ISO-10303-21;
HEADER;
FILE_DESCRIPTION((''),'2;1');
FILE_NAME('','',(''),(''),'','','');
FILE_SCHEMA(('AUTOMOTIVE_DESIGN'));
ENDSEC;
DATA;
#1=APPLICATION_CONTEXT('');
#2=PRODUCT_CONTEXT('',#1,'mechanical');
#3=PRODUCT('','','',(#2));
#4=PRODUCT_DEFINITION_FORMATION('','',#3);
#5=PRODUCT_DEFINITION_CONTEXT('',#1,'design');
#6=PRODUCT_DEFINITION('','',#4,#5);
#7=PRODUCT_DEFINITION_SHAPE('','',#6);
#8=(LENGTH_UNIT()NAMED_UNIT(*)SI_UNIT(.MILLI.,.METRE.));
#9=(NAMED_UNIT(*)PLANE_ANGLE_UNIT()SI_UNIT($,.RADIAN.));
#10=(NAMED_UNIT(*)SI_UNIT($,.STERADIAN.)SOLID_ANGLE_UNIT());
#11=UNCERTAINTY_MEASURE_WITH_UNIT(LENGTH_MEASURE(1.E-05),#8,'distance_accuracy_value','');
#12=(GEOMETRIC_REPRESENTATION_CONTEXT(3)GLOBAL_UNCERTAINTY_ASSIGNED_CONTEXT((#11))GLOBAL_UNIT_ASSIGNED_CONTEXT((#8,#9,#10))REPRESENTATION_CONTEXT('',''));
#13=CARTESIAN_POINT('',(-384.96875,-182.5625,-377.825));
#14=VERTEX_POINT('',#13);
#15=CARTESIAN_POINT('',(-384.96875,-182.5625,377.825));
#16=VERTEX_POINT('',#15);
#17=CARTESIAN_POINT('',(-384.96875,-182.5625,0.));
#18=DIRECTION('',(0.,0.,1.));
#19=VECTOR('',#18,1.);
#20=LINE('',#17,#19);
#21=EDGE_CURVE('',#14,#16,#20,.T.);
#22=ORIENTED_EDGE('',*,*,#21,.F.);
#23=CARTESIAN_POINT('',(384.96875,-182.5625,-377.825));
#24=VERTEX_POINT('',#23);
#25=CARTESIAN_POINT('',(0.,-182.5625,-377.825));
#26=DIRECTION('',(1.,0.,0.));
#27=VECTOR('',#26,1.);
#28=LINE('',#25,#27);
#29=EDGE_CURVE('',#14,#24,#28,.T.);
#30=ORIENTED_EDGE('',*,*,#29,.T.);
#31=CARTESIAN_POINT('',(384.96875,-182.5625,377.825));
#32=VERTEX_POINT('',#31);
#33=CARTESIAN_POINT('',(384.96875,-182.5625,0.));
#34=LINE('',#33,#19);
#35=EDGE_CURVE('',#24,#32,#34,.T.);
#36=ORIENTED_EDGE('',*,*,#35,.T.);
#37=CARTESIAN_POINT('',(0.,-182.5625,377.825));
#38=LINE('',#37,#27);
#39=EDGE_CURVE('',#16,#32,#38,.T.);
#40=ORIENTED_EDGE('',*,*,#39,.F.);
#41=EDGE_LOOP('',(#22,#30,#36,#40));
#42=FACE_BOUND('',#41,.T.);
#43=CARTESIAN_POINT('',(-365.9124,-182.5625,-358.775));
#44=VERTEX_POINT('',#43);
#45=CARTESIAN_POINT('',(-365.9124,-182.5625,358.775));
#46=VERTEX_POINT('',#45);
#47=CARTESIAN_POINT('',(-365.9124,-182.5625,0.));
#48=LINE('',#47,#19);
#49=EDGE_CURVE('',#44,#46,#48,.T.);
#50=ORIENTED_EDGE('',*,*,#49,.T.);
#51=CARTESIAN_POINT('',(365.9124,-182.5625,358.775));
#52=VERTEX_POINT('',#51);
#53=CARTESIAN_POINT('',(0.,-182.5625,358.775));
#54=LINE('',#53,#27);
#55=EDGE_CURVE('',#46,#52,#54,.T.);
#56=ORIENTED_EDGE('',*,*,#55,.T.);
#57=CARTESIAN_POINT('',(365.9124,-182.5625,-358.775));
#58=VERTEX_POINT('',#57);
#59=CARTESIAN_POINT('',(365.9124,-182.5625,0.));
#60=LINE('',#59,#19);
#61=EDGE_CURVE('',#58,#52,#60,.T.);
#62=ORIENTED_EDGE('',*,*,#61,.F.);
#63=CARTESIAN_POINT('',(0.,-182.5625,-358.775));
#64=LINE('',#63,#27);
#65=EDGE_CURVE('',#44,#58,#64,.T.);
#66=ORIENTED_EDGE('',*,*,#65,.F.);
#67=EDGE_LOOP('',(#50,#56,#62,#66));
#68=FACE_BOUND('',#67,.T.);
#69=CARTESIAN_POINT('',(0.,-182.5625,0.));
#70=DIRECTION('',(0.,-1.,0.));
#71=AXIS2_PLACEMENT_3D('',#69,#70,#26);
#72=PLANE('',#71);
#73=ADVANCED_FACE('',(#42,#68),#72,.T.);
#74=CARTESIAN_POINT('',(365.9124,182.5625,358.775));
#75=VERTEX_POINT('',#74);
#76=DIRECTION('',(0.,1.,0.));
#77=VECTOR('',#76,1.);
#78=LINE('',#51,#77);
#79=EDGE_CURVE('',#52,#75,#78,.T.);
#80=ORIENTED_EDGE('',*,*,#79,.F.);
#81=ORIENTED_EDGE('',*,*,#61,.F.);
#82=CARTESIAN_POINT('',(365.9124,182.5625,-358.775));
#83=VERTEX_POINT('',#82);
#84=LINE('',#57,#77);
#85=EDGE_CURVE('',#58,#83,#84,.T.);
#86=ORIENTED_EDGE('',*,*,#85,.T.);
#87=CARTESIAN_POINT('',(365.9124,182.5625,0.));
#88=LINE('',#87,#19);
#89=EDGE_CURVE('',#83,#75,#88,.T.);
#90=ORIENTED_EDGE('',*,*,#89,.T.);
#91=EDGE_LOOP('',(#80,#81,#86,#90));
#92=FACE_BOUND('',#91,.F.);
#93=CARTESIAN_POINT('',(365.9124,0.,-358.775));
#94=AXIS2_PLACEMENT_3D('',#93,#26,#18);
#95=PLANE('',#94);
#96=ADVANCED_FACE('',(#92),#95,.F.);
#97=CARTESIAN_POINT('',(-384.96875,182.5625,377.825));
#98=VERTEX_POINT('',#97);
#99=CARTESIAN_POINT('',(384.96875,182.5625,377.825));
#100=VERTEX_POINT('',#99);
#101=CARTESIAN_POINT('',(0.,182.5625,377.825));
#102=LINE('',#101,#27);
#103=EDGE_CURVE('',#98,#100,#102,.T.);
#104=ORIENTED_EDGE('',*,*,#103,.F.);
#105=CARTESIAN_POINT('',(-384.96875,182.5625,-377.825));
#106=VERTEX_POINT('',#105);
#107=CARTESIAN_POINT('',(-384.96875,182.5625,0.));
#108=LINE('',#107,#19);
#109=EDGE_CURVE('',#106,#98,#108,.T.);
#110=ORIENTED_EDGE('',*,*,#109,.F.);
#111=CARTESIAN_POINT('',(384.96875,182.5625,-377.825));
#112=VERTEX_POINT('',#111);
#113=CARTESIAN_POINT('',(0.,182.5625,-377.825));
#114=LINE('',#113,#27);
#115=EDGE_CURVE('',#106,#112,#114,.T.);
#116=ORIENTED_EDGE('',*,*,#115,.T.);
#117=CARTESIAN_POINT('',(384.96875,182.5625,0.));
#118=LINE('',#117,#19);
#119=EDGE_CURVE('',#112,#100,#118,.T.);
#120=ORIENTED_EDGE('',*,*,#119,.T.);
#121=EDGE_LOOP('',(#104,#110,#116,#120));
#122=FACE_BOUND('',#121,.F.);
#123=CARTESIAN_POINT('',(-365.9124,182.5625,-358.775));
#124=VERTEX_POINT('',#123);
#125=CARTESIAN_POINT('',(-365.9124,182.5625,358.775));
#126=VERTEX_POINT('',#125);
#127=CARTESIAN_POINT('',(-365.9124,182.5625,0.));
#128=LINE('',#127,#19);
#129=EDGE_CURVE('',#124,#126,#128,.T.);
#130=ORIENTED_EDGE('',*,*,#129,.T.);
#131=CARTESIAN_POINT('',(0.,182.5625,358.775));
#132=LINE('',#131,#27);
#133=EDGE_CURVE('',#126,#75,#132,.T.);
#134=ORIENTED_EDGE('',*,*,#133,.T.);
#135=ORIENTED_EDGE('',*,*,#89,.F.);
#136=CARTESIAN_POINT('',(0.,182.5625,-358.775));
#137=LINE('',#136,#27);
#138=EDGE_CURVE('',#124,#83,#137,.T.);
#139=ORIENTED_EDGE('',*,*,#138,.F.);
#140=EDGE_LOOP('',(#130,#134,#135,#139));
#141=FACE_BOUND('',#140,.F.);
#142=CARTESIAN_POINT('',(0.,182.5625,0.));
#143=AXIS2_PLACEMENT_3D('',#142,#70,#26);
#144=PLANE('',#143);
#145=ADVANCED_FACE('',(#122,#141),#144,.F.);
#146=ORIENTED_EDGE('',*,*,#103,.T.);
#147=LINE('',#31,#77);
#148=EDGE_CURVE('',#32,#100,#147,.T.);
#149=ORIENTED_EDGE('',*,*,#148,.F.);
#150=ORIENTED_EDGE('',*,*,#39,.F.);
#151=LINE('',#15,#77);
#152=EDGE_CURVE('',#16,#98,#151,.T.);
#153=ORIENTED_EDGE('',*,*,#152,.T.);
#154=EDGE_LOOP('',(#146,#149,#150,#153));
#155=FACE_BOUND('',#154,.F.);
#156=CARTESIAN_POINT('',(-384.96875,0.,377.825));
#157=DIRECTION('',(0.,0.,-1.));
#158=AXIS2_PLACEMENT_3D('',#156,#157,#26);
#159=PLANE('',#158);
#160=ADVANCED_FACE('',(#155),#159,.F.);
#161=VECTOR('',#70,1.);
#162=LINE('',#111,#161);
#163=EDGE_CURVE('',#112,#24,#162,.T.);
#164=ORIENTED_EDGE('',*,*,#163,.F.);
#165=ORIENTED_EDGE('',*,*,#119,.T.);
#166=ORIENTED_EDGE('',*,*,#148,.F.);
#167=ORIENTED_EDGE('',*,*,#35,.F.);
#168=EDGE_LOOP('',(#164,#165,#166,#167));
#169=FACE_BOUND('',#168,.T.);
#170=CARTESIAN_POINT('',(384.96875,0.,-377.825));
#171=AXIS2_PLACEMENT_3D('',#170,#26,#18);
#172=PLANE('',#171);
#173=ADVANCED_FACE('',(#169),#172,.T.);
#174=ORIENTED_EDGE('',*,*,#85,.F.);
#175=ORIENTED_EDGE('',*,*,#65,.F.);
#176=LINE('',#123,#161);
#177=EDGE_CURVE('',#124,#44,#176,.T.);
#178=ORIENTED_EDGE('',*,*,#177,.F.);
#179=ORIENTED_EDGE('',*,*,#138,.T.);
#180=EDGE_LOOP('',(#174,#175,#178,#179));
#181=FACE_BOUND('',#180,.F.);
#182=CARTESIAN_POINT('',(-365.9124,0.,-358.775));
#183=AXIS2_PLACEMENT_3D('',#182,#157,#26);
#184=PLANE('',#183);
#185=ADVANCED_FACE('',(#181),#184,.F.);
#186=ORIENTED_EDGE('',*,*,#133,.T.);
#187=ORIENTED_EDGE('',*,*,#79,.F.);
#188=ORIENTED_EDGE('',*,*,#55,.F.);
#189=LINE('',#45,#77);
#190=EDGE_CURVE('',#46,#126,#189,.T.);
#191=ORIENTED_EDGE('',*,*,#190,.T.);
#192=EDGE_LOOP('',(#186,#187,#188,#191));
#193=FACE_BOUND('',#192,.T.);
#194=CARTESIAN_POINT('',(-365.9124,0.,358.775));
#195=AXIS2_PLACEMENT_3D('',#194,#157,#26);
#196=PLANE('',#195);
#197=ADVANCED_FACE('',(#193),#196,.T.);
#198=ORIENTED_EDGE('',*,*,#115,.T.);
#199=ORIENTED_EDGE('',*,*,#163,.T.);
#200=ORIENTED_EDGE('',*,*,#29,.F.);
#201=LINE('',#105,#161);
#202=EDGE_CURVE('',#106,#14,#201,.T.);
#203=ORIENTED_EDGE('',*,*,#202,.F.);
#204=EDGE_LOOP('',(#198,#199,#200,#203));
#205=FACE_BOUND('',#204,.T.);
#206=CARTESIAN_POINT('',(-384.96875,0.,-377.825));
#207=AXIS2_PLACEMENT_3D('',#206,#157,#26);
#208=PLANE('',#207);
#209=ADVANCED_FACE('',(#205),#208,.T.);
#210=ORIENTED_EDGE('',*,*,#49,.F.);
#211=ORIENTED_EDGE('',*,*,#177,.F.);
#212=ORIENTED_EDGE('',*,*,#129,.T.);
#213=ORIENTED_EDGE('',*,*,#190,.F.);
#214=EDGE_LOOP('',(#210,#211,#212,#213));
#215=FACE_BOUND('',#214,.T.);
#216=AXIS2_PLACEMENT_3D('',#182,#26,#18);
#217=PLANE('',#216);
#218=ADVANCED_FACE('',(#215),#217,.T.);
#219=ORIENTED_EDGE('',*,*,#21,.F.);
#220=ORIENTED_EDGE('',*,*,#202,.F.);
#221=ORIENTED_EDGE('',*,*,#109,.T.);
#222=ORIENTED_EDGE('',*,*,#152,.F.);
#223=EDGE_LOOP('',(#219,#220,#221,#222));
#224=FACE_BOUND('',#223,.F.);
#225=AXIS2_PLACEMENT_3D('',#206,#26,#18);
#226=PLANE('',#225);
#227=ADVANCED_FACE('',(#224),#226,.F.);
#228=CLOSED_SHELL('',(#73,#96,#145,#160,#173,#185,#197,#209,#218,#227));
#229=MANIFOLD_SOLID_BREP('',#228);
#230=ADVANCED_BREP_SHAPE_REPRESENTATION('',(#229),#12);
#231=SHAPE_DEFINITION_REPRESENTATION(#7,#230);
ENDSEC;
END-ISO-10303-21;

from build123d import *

# Parameters (mm, degrees)
F1_W     = 769.9375
F1_H     = 755.65
F1_W_2   = 731.8248
F1_H_2   = 717.55
F2_DEPTH = 182.5625


with BuildPart() as f2:
    # F1 (on face) → F2 (new body, symmetric)
    with BuildSketch(Plane.XZ):
        Rectangle(F1_W, F1_H)
        Rectangle(F1_W_2, F1_H_2, mode=Mode.SUBTRACT)
    extrude(amount=F2_DEPTH, both=True)


solid = f2.part
